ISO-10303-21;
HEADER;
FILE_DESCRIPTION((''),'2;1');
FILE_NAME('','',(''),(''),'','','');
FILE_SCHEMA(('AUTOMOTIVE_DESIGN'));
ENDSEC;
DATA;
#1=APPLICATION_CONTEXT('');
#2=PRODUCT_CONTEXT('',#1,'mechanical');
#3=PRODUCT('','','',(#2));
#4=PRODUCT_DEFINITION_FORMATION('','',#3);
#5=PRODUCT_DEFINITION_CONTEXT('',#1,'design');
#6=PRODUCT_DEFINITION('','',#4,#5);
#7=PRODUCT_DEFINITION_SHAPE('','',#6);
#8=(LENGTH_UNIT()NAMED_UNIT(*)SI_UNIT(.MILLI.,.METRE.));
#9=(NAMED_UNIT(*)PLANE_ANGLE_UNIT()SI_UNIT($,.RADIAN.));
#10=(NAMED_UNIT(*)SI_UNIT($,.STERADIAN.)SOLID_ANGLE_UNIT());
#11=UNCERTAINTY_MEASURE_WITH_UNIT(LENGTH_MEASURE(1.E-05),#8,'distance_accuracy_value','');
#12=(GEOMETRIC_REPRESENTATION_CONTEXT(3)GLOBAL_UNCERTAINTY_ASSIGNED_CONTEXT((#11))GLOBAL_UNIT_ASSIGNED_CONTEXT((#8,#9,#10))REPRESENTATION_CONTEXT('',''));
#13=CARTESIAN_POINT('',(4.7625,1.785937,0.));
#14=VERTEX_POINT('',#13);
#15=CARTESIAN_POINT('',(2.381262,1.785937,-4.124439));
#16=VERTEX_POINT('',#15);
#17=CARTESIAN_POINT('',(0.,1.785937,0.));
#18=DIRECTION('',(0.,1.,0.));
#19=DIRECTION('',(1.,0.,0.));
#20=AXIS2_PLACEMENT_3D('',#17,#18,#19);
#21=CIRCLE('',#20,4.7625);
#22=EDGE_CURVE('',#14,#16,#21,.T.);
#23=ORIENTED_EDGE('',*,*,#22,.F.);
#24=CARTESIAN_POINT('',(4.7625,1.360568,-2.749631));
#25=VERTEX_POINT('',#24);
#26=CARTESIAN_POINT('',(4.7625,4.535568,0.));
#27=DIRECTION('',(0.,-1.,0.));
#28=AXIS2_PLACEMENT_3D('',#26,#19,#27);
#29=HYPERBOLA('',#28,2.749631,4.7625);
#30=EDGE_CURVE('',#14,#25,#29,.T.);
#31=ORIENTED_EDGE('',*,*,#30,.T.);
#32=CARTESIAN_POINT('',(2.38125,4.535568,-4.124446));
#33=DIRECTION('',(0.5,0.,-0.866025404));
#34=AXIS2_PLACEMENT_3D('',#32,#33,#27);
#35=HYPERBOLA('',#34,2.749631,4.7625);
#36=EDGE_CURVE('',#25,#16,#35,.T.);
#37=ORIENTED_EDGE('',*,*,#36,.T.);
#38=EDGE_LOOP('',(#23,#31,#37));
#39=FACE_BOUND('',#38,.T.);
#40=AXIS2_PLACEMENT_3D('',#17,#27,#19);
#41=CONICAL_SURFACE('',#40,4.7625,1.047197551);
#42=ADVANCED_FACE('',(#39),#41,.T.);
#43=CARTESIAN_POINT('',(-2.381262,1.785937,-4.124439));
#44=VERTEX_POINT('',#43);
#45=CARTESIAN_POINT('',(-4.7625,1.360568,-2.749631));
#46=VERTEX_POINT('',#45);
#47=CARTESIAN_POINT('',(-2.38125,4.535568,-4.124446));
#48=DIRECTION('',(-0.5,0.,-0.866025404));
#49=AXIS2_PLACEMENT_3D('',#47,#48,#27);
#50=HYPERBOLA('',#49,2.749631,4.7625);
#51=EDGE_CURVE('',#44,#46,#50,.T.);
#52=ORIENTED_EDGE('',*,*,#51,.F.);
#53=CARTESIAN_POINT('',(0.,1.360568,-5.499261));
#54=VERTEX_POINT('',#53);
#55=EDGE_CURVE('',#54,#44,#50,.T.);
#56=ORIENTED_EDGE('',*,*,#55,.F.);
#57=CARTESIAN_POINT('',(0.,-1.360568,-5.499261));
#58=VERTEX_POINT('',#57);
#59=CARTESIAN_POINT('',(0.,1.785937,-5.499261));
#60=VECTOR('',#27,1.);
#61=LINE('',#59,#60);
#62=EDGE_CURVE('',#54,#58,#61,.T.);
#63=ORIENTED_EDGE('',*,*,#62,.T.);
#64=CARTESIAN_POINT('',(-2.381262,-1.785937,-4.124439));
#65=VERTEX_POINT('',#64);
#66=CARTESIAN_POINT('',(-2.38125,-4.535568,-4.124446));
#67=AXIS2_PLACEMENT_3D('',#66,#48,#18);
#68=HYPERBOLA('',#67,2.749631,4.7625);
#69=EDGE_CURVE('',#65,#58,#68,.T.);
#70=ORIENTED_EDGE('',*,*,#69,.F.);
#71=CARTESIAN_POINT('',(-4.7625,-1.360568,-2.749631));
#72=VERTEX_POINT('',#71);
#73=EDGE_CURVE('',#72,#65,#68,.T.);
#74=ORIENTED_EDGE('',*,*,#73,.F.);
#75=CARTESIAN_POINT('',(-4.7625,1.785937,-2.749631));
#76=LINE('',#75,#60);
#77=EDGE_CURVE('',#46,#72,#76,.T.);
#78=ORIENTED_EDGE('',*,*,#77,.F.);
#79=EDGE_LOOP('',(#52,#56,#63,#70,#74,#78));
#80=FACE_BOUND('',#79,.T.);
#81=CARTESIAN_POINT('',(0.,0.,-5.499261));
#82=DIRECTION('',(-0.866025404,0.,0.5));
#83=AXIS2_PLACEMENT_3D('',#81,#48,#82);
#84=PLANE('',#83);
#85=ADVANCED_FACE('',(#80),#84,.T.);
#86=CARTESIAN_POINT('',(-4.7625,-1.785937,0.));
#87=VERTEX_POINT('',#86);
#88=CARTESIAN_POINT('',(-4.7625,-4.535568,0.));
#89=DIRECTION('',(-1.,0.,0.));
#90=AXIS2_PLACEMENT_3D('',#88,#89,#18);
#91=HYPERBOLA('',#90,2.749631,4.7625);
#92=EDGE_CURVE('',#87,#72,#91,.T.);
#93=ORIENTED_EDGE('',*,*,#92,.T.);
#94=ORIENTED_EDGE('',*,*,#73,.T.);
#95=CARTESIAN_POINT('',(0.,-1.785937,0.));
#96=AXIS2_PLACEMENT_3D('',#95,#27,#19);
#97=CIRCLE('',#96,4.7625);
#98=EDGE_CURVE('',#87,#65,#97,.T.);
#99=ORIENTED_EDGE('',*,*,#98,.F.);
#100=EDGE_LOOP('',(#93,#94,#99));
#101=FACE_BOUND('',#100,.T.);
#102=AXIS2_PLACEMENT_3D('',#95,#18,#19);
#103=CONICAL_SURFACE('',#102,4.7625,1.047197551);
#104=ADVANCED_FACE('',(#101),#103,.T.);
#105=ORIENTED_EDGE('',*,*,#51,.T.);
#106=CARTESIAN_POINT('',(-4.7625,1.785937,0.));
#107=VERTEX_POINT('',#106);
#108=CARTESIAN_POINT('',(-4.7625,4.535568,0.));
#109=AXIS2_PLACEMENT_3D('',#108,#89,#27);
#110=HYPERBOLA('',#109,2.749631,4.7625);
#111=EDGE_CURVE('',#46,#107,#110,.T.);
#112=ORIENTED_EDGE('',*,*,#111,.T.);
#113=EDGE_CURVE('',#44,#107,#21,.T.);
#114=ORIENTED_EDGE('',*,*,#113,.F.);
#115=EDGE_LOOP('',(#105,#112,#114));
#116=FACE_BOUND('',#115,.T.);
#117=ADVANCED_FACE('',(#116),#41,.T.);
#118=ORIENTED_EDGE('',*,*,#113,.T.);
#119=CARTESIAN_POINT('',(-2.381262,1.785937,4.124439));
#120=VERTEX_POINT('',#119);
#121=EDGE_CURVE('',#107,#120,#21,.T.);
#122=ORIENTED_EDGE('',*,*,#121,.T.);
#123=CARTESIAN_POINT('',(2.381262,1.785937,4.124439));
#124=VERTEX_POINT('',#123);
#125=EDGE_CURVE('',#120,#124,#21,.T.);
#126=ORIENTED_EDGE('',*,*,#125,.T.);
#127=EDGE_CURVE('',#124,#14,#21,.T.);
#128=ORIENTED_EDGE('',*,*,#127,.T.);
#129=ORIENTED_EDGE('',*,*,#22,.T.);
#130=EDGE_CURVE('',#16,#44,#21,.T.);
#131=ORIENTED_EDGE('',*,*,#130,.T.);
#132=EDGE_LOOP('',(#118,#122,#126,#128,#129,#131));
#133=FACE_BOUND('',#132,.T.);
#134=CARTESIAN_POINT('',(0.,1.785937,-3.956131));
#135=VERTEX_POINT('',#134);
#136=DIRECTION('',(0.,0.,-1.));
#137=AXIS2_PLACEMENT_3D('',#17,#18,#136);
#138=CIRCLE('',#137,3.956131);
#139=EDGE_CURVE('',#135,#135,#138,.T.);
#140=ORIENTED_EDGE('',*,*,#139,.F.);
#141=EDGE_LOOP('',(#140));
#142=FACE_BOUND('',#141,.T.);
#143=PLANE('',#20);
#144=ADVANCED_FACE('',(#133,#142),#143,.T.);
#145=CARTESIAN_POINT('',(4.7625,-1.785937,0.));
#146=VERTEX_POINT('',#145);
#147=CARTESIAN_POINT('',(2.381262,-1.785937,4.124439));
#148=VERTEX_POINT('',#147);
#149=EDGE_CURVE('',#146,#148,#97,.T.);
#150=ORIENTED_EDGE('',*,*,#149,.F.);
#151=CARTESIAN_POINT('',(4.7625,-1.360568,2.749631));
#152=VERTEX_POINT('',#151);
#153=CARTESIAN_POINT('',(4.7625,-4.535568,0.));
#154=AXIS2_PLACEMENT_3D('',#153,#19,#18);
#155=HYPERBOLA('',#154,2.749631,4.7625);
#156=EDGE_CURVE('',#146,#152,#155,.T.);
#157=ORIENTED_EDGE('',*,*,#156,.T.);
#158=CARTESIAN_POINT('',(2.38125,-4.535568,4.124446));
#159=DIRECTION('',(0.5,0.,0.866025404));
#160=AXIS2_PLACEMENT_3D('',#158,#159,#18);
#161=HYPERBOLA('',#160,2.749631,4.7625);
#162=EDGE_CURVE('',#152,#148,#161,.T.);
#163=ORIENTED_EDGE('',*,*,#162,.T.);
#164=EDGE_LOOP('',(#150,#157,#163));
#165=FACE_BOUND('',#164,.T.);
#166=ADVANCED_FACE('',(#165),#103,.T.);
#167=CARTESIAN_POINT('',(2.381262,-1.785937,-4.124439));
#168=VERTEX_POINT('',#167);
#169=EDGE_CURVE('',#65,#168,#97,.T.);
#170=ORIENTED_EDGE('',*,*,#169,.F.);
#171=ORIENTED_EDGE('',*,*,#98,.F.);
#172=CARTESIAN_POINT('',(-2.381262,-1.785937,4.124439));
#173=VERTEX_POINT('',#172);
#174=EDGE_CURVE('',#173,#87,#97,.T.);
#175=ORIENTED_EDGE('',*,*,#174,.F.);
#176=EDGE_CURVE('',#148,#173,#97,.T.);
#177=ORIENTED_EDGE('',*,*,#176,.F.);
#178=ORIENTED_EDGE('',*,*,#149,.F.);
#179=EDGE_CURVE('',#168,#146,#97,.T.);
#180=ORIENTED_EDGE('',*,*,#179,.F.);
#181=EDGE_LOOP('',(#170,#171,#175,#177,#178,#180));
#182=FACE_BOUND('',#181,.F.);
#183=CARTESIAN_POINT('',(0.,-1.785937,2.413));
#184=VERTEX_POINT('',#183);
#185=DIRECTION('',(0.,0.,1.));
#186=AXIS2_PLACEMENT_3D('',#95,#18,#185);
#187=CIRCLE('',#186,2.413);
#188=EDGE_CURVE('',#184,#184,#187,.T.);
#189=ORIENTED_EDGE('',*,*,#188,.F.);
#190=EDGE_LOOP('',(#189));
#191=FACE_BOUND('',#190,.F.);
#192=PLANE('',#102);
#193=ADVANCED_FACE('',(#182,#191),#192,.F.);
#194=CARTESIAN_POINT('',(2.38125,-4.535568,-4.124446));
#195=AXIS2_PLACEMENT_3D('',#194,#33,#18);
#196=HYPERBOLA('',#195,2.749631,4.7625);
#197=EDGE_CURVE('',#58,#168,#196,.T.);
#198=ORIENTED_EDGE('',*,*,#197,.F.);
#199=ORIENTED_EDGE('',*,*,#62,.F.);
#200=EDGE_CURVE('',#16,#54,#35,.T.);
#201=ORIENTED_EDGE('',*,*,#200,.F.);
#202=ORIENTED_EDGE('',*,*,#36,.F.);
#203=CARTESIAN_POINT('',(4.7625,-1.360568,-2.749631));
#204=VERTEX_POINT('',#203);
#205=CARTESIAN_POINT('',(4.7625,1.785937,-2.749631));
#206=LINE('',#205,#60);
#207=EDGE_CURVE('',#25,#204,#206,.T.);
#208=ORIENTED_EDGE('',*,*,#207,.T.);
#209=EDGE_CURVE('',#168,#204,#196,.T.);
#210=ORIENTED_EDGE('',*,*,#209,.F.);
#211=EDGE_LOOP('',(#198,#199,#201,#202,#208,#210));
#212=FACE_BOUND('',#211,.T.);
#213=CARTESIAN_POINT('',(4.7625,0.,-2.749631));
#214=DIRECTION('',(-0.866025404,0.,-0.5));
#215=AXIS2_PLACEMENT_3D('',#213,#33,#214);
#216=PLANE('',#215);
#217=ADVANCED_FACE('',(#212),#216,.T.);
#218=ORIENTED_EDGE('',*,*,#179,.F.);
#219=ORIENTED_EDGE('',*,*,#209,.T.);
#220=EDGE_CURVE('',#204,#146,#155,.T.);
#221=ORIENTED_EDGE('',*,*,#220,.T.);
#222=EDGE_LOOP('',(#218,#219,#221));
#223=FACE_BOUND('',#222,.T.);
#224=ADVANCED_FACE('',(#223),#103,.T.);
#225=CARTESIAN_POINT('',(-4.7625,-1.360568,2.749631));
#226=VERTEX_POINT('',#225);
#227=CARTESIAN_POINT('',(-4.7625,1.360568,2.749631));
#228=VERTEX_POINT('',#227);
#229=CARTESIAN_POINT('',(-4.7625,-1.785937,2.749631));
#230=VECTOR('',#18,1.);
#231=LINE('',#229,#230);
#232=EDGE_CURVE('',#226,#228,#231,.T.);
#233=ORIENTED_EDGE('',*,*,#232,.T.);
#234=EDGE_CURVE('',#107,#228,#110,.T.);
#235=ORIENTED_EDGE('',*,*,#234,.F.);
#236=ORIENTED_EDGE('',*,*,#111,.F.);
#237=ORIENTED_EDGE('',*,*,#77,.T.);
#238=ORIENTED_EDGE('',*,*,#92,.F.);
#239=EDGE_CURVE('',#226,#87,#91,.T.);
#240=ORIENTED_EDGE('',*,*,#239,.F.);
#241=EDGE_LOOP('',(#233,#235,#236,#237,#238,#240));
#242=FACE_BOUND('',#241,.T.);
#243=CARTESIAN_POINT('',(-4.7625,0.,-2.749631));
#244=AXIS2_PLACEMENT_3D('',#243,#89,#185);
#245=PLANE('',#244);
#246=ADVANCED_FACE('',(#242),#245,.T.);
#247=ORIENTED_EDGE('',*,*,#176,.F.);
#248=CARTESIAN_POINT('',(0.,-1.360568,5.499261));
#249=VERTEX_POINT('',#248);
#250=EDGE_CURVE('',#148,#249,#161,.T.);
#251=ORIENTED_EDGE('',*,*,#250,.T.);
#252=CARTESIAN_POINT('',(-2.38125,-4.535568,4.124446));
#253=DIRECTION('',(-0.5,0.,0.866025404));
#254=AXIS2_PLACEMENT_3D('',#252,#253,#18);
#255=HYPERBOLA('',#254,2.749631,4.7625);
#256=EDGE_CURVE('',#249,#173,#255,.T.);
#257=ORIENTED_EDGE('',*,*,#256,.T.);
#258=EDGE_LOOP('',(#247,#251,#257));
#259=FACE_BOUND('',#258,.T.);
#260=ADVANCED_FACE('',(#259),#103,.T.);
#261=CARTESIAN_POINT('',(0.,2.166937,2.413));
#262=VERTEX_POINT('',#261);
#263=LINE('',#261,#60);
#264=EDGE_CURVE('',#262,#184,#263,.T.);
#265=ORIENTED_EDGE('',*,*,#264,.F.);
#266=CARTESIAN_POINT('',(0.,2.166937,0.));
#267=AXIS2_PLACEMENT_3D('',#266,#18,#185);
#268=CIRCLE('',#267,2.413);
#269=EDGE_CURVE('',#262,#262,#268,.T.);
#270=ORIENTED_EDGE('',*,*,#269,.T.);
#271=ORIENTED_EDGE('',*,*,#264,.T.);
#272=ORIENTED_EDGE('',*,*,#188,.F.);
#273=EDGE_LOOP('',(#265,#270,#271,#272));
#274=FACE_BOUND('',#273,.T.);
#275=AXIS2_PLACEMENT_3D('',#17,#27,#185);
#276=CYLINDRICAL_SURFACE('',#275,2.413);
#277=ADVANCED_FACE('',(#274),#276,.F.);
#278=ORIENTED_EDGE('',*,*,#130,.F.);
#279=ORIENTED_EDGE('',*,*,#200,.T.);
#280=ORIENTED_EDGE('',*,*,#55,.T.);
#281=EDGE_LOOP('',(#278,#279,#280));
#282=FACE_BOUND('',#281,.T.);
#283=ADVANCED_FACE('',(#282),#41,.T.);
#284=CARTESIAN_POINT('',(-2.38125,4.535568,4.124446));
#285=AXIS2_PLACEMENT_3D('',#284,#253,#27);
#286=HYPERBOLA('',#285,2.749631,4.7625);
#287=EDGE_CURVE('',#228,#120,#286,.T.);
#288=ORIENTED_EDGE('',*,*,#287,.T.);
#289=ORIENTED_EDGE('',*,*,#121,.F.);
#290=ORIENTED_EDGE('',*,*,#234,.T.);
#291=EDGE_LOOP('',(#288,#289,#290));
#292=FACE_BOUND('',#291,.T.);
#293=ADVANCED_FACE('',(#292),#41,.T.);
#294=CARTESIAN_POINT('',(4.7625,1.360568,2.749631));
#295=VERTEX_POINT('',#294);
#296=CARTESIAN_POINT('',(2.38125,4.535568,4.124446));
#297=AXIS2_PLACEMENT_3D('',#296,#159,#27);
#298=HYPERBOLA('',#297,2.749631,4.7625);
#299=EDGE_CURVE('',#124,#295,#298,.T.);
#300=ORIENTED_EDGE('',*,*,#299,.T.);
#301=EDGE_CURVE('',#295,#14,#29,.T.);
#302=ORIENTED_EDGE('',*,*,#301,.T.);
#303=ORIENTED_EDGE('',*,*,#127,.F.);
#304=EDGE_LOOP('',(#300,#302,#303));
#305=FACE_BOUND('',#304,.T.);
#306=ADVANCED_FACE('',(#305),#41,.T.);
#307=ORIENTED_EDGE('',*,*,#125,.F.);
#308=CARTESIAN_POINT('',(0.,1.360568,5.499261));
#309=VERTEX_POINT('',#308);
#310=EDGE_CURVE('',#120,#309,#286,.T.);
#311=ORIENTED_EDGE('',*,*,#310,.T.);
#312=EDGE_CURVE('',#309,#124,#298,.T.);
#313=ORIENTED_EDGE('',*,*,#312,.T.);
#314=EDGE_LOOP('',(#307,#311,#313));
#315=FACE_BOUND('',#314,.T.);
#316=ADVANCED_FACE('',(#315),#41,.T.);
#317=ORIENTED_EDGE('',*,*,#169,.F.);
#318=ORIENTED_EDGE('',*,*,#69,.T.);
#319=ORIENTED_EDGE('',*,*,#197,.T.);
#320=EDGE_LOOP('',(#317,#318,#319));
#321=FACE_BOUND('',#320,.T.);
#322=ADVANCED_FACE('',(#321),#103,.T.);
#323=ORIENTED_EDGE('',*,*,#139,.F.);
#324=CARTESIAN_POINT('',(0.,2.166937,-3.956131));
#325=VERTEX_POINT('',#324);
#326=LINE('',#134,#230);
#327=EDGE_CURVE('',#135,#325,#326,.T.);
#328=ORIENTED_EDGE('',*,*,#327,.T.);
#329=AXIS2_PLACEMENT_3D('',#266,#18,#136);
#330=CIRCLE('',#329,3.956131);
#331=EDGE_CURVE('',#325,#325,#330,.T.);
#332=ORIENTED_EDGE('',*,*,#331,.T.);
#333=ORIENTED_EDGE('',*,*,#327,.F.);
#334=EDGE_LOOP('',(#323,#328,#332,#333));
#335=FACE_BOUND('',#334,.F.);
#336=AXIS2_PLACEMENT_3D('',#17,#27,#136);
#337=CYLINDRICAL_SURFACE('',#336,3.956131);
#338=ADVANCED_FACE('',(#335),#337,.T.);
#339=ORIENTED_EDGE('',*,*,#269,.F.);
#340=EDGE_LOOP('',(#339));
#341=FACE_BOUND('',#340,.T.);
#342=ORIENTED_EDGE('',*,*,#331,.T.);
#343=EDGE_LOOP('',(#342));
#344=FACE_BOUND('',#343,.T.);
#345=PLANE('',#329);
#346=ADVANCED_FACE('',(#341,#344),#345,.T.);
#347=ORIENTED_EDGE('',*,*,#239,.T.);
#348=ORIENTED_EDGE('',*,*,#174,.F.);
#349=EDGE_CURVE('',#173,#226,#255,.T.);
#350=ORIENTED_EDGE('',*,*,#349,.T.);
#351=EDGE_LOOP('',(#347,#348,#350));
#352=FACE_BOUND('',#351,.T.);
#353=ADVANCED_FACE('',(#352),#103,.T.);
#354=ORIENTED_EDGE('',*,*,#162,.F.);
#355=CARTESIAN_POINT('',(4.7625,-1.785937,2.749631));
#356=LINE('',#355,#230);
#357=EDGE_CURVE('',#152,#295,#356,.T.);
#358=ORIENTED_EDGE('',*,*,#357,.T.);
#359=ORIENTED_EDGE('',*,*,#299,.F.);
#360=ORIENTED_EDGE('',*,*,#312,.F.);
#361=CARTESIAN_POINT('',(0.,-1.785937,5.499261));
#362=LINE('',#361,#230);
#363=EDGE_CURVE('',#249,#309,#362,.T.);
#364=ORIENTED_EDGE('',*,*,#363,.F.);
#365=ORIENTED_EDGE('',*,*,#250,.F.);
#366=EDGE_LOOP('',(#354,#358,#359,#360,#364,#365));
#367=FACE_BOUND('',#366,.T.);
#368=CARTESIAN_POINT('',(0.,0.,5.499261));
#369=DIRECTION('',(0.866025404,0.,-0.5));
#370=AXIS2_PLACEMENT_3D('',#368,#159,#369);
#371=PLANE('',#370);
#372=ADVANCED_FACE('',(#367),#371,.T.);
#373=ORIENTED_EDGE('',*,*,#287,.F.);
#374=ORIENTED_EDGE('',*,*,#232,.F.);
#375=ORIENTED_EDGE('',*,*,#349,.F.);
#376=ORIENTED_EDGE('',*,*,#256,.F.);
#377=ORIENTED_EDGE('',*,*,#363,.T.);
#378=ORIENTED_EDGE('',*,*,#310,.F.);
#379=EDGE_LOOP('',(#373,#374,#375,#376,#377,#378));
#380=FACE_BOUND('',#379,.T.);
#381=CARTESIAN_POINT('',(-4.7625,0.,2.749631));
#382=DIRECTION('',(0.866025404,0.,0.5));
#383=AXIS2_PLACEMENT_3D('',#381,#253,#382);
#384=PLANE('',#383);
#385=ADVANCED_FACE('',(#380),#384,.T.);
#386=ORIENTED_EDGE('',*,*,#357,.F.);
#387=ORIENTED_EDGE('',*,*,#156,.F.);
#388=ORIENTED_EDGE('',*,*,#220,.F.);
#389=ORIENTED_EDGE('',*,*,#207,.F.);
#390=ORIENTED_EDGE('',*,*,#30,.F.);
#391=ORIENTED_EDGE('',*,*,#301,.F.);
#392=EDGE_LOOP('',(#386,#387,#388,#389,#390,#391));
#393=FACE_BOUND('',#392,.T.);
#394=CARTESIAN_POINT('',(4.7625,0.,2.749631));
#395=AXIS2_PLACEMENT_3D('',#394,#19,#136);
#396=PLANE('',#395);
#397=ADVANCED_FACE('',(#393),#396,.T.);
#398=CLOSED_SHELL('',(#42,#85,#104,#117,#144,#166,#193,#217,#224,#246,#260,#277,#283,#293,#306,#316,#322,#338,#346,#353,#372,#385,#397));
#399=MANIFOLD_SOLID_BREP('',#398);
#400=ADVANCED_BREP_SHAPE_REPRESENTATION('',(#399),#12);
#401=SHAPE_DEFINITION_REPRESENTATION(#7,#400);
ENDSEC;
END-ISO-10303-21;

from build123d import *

# Parameters (mm, degrees)
SKETCH1_R               = 2.413
BOSS_EXTRUDE1_DEPTH     = 1.7859375
SKETCH6_R               = 3.956130657
SKETCH6_R_2             = 2.413
BOSS_EXTRUDE2_DEPTH     = 0.381
SKETCH5_OUTSIDE_W       = 46.08
SKETCH5_OUTSIDE_H       = 47.552
SKETCH5_OUTSIDE_R       = 4.7625
CUT_EXTRUDE2_DEPTH      = 9.104416837
CUT_EXTRUDE2_DRAFT      = -60
MIRROR1_COPY_1_SKETCH_W = 46.08
MIRROR1_COPY_1_SKETCH_H = 47.552
MIRROR1_COPY_1_SKETCH_R = 4.7625
MIRROR1_COPY_1_DEPTH    = 9.104416837
MIRROR1_COPY_1_DRAFT    = -60


with BuildPart() as part:
    # Sketch1 → Boss-Extrude1 (new, symmetric)
    with BuildSketch(Plane(origin=(0, 0, 0), x_dir=(1, 0, 0), z_dir=(0, 1, 0))):
        Polygon((-4.7625, 2.749630657), (-4.7625, -2.749630657), (0, -5.499261314), (4.7625, -2.749630657), (4.7625, 2.749630657), (0, 5.499261314), align=None)
        Circle(SKETCH1_R, mode=Mode.SUBTRACT)
    extrude(amount=BOSS_EXTRUDE1_DEPTH, both=True)

    # Sketch6 → Boss-Extrude2 (add)
    with BuildSketch(Plane(origin=(0, 1.7859375, 0), x_dir=(1, 0, 0), z_dir=(0, 1, 0))):
        Circle(SKETCH6_R)
        Circle(SKETCH6_R_2, mode=Mode.SUBTRACT)
    extrude(amount=BOSS_EXTRUDE2_DEPTH)


with BuildPart() as cut_extrude2_tool:
    # Sketch5 outside → Cut-Extrude2 (with draft: the straight prism first)
    with BuildSketch(Plane(origin=(0, 1.7859375, 0), x_dir=(1, 0, 0), z_dir=(0, 1, 0))):
        Rectangle(SKETCH5_OUTSIDE_W, SKETCH5_OUTSIDE_H)
        Circle(SKETCH5_OUTSIDE_R, mode=Mode.SUBTRACT)
    extrude(amount=-CUT_EXTRUDE2_DEPTH)
    # Cut-Extrude2: the draft: its side faces are tilted about the plane it starts from
    cut_extrude2_sides = [cut_extrude2_tool.faces().sort_by_distance(p)[0] for p in [
        (0, -2.766270918, 23.776),
        (23.04, -2.766270918, 0),
        (0, -2.766270918, -23.776),
        (-23.04, -2.766270918, 0),
        (-4.7625, -2.766270918, 0),
    ]]
    draft(cut_extrude2_sides, Plane(origin=(0, 1.7859375, 0), x_dir=(1, 0, 0), z_dir=(0, 1, 0)), CUT_EXTRUDE2_DRAFT)


with BuildPart() as part_1:
    add(part.part)

    # Cut-Extrude2: cut by cut_extrude2_tool
    add(cut_extrude2_tool.part, mode=Mode.SUBTRACT)


with BuildPart() as mirror1_copy_1_tool:
    # Mirror1 copy 1 sketch → Mirror1 copy 1 (with draft: the straight prism first)
    with BuildSketch(Plane.XZ.offset(1.7859375)):
        Rectangle(MIRROR1_COPY_1_SKETCH_W, MIRROR1_COPY_1_SKETCH_H)
        Circle(MIRROR1_COPY_1_SKETCH_R, mode=Mode.SUBTRACT)
    extrude(amount=-MIRROR1_COPY_1_DEPTH)
    # Mirror1 copy 1: the draft: its side faces are tilted about the plane it starts from
    mirror1_copy_1_sides = [mirror1_copy_1_tool.faces().sort_by_distance(p)[0] for p in [
        (0, 2.766270918, 23.776),
        (23.04, 2.766270918, 0),
        (0, 2.766270918, -23.776),
        (-23.04, 2.766270918, 0),
        (-4.7625, 2.766270918, 0),
    ]]
    draft(mirror1_copy_1_sides, Plane.XZ.offset(1.7859375), MIRROR1_COPY_1_DRAFT)


with BuildPart() as part_2:
    add(part_1.part)

    # Mirror1 copy 1: cut by mirror1_copy_1_tool
    add(mirror1_copy_1_tool.part, mode=Mode.SUBTRACT)


solid = part_2.part
